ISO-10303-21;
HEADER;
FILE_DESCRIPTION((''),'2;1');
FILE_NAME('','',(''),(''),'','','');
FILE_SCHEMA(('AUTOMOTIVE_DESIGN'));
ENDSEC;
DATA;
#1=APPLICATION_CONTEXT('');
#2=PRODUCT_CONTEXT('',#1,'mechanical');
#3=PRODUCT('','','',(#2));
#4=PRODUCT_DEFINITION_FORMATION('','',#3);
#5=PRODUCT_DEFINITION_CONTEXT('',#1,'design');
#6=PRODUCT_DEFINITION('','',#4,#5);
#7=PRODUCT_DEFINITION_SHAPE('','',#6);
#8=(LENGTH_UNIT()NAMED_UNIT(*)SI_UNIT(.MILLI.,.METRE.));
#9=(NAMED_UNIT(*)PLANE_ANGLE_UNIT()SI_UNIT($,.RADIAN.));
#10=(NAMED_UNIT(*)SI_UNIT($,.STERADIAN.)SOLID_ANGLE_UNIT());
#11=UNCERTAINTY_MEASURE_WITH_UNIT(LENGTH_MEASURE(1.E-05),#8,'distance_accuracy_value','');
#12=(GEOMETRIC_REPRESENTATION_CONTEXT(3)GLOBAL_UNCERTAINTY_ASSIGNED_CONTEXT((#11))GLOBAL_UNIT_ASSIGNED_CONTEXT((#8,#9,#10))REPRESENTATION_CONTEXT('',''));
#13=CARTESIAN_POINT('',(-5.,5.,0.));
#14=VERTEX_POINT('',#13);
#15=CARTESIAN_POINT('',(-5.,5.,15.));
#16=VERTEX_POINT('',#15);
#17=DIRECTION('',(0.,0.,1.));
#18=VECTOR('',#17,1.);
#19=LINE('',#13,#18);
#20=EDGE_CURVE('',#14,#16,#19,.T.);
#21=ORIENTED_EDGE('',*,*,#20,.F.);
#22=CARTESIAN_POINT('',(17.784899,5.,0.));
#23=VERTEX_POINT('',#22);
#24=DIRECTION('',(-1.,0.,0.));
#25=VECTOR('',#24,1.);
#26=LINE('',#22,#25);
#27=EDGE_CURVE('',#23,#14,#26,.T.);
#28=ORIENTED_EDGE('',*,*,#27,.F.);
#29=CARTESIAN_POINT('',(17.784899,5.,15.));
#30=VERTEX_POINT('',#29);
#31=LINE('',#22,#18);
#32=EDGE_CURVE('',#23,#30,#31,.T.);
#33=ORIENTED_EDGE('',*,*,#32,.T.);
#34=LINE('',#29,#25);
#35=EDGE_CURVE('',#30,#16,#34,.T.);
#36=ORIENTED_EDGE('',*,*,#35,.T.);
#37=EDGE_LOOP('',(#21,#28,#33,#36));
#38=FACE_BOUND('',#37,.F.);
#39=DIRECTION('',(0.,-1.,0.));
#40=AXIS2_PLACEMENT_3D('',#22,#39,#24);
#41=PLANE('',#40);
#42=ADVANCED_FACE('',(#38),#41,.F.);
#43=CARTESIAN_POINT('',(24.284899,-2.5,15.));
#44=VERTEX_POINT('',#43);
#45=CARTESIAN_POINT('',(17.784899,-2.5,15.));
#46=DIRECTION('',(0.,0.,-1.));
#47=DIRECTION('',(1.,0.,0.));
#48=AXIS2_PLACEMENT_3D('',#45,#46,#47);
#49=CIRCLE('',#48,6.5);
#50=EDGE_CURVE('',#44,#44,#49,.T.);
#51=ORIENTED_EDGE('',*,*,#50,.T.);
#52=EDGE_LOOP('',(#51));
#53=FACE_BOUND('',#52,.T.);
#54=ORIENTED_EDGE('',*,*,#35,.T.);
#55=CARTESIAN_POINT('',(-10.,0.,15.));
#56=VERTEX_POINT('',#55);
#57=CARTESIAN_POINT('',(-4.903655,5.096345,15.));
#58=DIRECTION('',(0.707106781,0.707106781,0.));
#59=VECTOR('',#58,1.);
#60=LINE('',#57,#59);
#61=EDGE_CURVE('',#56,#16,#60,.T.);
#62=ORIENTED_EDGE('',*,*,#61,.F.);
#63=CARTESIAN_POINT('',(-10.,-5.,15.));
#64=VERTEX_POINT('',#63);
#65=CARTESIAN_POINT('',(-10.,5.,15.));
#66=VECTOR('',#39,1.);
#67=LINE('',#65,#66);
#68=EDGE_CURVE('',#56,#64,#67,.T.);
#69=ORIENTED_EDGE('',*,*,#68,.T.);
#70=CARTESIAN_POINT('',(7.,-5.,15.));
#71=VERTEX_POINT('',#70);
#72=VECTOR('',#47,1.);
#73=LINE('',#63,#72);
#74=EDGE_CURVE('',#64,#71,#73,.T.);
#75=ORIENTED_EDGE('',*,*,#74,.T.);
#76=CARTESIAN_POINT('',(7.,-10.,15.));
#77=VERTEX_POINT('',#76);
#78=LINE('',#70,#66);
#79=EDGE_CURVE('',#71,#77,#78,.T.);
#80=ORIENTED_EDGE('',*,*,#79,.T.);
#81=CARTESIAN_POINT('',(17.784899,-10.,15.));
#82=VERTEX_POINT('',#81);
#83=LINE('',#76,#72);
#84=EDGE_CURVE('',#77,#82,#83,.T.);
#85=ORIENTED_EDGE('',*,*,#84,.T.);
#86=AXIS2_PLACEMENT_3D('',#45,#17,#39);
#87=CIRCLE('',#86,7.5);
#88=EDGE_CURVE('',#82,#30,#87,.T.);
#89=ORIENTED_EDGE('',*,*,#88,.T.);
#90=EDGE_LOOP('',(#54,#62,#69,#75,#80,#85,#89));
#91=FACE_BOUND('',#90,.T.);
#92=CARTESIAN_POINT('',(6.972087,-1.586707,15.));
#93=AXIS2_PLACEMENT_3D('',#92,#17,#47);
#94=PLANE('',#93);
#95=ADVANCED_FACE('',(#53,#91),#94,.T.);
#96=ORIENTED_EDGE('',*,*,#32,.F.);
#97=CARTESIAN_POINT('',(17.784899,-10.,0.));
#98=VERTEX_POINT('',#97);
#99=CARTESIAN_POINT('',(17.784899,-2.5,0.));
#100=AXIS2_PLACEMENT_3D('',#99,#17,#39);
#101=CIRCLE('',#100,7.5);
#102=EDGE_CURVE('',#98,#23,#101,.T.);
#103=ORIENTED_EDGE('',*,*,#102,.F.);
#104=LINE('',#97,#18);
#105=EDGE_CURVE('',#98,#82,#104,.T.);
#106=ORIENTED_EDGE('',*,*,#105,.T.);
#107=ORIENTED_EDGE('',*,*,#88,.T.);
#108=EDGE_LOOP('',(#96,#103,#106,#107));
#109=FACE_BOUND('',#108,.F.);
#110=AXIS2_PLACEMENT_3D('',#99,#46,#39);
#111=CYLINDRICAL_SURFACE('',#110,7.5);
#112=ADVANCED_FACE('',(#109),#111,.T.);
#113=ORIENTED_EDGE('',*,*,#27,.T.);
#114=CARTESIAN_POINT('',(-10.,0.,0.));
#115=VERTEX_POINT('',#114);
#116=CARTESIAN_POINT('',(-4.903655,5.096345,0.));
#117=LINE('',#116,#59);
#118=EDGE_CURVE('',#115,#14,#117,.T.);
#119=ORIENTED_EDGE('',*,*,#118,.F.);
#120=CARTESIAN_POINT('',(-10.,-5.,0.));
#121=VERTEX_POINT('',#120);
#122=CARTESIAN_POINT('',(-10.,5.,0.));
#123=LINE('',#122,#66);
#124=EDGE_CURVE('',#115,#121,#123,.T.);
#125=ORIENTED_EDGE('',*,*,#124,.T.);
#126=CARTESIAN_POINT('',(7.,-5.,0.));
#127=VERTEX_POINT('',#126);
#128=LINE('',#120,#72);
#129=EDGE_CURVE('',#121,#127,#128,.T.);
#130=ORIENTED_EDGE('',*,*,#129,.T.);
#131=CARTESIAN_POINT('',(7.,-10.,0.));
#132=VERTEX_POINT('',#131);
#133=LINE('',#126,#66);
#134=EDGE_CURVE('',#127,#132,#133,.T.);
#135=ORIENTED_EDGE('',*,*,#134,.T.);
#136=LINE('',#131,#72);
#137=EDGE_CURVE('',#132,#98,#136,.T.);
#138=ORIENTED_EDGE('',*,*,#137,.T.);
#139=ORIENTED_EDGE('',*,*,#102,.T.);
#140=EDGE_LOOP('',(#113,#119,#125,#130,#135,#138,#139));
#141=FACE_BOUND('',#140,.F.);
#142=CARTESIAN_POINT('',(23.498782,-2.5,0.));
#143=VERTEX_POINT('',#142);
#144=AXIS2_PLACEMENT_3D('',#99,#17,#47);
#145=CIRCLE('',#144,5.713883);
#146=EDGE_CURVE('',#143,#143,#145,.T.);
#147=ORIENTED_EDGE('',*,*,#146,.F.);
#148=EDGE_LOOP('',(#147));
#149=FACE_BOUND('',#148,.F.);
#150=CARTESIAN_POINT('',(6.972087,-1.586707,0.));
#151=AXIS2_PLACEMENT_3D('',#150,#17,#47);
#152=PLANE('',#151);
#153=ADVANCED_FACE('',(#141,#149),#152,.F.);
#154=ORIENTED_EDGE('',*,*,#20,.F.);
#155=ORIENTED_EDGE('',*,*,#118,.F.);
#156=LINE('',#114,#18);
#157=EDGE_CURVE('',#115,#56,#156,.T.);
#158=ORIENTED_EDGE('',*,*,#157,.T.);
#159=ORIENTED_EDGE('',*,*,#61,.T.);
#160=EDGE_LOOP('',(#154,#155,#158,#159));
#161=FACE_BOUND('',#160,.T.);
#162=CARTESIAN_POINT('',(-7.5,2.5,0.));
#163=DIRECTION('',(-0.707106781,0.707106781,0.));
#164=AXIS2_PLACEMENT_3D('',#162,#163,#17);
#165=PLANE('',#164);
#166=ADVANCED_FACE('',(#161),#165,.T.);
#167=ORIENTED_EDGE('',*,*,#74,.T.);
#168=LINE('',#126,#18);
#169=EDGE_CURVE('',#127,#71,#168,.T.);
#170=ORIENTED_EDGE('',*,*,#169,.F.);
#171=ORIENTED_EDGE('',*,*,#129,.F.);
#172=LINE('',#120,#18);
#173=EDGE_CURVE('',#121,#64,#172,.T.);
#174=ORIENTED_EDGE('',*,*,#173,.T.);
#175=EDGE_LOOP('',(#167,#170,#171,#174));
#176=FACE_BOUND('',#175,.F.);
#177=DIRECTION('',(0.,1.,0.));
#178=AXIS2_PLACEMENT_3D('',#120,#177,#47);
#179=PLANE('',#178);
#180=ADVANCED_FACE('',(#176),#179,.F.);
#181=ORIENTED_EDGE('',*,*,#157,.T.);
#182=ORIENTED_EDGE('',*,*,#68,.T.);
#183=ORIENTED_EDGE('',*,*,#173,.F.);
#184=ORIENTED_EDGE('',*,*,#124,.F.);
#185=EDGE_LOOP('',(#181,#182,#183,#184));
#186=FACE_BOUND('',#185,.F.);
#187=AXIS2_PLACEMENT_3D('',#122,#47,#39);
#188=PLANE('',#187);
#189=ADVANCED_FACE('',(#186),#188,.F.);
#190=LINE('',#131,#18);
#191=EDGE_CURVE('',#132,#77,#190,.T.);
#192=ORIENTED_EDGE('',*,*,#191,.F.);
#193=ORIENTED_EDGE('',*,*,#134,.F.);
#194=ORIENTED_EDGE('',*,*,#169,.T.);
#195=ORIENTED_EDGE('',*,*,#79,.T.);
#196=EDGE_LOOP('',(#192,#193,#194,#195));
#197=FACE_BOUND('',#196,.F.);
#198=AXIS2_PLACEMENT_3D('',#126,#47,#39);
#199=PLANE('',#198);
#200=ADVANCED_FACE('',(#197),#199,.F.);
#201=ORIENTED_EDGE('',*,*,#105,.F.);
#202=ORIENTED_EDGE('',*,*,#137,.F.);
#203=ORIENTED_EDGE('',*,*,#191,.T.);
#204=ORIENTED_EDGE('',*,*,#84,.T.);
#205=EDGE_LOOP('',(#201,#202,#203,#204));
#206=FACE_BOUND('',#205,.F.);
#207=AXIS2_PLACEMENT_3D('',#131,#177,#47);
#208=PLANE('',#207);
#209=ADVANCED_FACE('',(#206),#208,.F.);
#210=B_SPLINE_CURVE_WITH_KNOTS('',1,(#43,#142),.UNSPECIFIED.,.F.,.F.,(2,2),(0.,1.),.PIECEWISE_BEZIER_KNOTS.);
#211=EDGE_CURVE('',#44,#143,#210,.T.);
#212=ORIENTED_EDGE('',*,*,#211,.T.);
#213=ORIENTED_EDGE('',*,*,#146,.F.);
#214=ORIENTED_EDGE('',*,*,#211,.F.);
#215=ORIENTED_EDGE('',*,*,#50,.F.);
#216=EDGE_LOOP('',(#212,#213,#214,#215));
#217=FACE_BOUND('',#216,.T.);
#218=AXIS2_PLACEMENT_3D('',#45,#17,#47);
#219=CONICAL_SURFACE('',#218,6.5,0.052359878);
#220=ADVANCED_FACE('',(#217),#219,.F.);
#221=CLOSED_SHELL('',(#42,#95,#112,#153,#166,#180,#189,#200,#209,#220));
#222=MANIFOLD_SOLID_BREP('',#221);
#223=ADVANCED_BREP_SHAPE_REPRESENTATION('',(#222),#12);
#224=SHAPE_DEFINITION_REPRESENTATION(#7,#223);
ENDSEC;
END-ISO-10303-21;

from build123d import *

# Parameters (mm, degrees)
F1_DEPTH = 15
F2_R     = 6.5
F3_DEPTH = 15
F3_TAPER = 3
F4_SIZE  = 5


with BuildPart() as f1:
    # F0 (on Top) → F1 (new body)
    with BuildSketch(Plane.XY):
        with BuildLine():
            Line((-10, -5), (7, -5))
            Line((7, -5), (7, -10))
            Line((7, -10), (10, -10))
            Line((10, -10), (17.7848991007, -10))
            ThreePointArc((17.7848991007, -10), (25.2848991007, -2.5), (17.7848991007, 5))
            Line((17.7848991007, 5), (10, 5))
            Line((10, 5), (-10, 5))
            Line((-10, 5), (-10, -5))
        make_face()
    extrude(amount=F1_DEPTH)

    # F2 (on face) → F3 (cut, through all)
    with BuildSketch(Plane.XY.offset(15)):
        with Locations((17.7848991007, -2.5)):
            Circle(F2_R)
    extrude(amount=-F3_DEPTH, taper=F3_TAPER, mode=Mode.SUBTRACT)

    # F4
    f4_edges = [f1.edges().sort_by_distance(p)[0] for p in [
        (-10, 5, 7.5),
    ]]
    chamfer(f4_edges, length=F4_SIZE)


solid = f1.part
